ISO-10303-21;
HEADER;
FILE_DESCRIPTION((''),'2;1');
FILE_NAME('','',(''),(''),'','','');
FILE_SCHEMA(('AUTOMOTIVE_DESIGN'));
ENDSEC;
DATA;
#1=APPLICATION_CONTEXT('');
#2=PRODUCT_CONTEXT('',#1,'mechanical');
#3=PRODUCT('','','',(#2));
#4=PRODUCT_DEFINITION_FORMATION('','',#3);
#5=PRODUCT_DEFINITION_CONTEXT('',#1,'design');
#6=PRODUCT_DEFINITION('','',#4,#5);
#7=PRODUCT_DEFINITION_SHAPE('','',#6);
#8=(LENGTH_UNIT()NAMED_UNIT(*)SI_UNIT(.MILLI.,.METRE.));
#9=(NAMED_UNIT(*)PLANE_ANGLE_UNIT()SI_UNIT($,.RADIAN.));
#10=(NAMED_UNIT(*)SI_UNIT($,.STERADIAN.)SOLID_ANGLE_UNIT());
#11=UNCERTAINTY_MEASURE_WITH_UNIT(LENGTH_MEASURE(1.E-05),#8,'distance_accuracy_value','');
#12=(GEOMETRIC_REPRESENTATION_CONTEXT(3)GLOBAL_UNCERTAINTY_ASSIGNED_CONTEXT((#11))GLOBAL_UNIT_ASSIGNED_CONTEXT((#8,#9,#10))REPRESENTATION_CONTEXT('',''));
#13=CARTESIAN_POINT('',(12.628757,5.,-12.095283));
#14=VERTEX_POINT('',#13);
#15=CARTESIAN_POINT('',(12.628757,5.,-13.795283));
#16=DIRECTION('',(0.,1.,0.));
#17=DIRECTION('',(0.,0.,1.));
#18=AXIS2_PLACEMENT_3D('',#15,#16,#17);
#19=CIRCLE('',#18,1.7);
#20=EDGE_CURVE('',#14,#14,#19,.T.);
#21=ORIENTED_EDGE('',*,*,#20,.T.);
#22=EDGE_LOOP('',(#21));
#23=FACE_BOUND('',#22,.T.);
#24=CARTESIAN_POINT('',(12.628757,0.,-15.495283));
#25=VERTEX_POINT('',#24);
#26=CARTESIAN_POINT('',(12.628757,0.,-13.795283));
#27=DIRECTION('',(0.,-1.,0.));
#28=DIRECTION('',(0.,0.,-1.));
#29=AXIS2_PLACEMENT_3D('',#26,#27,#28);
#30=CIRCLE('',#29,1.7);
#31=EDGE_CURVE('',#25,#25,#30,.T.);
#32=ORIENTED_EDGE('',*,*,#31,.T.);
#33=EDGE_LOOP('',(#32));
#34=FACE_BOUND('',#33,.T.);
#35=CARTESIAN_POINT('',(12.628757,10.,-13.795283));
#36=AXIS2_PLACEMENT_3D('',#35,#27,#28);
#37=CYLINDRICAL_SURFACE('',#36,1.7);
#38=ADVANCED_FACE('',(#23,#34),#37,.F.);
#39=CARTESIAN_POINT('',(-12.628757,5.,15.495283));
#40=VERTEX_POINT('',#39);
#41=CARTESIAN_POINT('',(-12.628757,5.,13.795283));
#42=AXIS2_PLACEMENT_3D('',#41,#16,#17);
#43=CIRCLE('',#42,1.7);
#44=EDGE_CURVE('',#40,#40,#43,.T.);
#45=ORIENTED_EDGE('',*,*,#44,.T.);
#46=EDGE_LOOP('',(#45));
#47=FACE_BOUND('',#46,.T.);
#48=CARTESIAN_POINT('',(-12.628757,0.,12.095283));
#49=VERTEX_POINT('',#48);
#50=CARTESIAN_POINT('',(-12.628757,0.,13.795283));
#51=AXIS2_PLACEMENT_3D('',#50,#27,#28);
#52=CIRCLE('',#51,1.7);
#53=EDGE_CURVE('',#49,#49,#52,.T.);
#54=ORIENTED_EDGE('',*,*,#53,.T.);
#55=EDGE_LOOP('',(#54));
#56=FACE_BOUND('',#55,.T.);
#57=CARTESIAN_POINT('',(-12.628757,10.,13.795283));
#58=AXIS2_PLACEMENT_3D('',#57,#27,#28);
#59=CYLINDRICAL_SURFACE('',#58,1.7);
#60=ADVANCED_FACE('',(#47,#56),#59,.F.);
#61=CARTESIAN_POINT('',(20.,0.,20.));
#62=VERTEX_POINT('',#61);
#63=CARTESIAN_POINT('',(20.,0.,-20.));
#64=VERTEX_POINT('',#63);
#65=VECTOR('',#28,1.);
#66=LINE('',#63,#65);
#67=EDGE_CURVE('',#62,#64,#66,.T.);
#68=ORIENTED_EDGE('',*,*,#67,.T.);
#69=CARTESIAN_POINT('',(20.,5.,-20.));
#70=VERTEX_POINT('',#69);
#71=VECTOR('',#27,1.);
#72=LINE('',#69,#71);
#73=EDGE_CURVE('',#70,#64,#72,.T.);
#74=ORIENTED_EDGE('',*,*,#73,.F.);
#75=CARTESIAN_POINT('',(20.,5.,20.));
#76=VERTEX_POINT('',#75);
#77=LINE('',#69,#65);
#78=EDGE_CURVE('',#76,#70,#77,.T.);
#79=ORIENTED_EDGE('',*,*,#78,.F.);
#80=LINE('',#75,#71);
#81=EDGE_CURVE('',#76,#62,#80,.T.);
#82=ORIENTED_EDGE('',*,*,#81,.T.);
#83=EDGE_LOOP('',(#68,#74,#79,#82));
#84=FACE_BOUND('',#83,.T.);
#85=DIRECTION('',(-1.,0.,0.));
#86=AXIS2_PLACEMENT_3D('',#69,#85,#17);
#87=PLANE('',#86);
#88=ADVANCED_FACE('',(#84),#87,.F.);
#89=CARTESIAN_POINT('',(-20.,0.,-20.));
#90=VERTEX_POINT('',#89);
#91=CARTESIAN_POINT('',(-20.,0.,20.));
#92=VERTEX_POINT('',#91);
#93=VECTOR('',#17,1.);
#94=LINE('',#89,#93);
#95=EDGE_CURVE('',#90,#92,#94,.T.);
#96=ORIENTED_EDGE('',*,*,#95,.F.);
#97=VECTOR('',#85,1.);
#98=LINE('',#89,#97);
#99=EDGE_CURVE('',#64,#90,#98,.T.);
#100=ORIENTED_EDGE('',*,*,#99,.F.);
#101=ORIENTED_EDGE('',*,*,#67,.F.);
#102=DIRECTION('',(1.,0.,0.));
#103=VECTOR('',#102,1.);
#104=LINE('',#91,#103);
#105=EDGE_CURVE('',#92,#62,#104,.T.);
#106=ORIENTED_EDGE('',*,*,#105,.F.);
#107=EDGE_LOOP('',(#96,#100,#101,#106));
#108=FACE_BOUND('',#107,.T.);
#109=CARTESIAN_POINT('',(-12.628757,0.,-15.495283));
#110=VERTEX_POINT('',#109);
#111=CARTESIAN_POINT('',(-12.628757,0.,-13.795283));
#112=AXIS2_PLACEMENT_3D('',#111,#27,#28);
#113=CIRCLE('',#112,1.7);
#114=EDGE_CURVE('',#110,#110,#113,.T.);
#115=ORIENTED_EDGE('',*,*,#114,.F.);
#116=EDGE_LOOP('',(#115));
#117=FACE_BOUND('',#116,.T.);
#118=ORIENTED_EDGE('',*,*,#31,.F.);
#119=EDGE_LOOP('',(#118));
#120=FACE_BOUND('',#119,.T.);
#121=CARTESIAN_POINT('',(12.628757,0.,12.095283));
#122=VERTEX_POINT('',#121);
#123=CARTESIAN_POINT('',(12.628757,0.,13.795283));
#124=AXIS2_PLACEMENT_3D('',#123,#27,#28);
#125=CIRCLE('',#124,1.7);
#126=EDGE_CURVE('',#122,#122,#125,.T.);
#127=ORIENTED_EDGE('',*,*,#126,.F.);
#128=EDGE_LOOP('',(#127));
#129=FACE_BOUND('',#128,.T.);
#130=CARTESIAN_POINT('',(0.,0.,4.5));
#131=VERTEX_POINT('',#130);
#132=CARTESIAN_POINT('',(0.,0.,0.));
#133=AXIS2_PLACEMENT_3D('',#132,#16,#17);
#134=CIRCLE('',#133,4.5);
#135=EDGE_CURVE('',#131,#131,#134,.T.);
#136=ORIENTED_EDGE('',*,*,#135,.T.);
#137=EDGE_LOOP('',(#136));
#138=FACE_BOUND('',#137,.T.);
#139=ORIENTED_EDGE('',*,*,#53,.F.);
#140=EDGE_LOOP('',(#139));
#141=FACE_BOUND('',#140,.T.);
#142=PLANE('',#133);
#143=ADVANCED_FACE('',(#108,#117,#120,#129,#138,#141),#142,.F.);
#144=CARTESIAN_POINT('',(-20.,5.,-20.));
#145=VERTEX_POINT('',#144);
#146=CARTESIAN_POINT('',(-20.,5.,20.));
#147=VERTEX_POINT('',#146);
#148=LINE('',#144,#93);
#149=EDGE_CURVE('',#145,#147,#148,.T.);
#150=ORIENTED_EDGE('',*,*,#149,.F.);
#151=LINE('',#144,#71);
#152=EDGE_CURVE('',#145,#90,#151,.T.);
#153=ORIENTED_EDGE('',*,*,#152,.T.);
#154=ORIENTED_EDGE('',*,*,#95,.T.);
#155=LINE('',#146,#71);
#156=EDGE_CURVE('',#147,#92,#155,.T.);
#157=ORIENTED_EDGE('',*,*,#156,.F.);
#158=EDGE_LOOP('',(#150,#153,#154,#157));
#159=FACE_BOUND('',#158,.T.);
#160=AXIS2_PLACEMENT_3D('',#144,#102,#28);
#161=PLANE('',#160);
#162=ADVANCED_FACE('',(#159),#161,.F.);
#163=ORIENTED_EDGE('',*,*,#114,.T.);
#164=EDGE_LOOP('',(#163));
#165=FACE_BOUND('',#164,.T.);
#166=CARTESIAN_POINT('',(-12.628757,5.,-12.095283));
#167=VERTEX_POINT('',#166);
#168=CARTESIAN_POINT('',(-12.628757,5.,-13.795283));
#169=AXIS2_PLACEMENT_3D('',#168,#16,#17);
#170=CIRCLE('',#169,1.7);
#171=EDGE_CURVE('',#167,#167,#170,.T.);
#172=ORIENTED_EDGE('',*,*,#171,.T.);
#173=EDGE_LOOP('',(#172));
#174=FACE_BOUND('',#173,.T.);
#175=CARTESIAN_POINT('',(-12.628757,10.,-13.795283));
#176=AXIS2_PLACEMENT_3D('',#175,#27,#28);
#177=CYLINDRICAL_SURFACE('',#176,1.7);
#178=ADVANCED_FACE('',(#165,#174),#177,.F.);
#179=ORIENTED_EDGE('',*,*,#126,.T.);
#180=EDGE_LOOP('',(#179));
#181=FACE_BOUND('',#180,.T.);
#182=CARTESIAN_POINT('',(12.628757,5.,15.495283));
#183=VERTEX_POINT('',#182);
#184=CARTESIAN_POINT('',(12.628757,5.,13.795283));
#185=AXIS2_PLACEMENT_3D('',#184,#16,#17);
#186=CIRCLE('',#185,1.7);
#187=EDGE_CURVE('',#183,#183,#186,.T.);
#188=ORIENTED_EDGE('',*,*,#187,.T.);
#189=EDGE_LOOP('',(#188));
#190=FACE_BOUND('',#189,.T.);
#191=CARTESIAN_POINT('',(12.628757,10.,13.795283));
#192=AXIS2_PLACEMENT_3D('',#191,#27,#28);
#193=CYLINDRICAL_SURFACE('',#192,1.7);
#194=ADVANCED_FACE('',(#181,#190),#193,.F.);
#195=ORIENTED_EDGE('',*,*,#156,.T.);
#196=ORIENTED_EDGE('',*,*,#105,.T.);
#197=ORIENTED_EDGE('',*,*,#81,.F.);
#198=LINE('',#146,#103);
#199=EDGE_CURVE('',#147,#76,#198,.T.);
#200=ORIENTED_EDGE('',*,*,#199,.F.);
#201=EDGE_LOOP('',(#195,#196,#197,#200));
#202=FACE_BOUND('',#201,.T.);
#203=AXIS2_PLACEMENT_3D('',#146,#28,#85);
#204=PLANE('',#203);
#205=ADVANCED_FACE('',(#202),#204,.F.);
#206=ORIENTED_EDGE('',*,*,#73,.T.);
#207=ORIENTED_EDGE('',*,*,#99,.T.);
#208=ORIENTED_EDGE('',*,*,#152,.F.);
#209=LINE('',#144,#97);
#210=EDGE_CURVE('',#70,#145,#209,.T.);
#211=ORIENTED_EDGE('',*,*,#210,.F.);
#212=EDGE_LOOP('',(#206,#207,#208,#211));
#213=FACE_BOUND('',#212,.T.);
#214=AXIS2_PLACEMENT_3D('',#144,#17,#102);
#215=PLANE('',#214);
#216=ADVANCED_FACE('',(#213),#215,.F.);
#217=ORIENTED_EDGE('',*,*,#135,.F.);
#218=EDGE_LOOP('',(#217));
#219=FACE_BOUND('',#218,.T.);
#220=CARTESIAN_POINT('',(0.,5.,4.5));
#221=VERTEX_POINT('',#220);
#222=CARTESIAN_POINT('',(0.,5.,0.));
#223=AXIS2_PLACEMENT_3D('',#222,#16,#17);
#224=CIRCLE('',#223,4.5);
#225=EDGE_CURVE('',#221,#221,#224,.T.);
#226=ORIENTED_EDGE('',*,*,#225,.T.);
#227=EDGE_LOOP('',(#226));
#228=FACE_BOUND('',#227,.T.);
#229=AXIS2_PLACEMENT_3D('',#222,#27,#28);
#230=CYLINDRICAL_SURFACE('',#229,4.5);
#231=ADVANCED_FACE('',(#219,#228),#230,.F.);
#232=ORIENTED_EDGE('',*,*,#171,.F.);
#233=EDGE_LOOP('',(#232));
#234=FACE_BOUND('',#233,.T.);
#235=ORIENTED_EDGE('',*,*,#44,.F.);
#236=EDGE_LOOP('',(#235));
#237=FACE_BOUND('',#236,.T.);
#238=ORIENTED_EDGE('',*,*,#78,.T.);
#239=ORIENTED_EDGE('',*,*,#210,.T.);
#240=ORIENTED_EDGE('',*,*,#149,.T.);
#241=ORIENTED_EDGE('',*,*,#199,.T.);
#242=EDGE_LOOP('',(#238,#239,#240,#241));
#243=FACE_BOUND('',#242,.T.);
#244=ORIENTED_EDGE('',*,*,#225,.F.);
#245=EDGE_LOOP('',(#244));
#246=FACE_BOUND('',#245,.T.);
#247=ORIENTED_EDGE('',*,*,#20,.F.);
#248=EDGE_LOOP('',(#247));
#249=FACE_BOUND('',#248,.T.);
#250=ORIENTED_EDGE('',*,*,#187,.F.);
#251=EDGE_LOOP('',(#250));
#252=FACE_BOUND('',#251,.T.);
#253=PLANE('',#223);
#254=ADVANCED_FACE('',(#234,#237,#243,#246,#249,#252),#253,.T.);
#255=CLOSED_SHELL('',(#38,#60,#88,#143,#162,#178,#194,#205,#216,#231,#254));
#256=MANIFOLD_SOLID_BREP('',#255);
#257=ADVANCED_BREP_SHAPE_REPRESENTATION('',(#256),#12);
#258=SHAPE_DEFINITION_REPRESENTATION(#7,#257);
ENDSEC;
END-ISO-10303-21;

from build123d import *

# Parameters (mm, degrees)
CROQUIS1_W              = 40
CROQUIS1_H              = 40
CROQUIS1_R              = 4.5
SALIENTE_EXTRUIR1_DEPTH = 5
CROQUIS2_R              = 1.7
CORTAR_EXTRUIR1_DEPTH   = 10


with BuildPart() as part:
    # Croquis1 → Saliente-Extruir1 (new body)
    with BuildSketch(Plane(origin=(0, 0, 0), x_dir=(1, 0, 0), z_dir=(0, 1, 0))):
        Rectangle(CROQUIS1_W, CROQUIS1_H)
        Circle(CROQUIS1_R, mode=Mode.SUBTRACT)
    extrude(amount=SALIENTE_EXTRUIR1_DEPTH)

    # Croquis2 → Cortar-Extruir1 (cut)
    with BuildSketch(Plane.XZ):
        with Locations((12.628756813, -13.795283125)):
            Circle(CROQUIS2_R)
        with Locations((12.628756813, 13.795283125)):
            Circle(CROQUIS2_R)
        with Locations((-12.628756813, 13.795283125)):
            Circle(CROQUIS2_R)
        with Locations((-12.628756813, -13.795283125)):
            Circle(CROQUIS2_R)
    extrude(amount=-CORTAR_EXTRUIR1_DEPTH, mode=Mode.SUBTRACT)


solid = part.part
